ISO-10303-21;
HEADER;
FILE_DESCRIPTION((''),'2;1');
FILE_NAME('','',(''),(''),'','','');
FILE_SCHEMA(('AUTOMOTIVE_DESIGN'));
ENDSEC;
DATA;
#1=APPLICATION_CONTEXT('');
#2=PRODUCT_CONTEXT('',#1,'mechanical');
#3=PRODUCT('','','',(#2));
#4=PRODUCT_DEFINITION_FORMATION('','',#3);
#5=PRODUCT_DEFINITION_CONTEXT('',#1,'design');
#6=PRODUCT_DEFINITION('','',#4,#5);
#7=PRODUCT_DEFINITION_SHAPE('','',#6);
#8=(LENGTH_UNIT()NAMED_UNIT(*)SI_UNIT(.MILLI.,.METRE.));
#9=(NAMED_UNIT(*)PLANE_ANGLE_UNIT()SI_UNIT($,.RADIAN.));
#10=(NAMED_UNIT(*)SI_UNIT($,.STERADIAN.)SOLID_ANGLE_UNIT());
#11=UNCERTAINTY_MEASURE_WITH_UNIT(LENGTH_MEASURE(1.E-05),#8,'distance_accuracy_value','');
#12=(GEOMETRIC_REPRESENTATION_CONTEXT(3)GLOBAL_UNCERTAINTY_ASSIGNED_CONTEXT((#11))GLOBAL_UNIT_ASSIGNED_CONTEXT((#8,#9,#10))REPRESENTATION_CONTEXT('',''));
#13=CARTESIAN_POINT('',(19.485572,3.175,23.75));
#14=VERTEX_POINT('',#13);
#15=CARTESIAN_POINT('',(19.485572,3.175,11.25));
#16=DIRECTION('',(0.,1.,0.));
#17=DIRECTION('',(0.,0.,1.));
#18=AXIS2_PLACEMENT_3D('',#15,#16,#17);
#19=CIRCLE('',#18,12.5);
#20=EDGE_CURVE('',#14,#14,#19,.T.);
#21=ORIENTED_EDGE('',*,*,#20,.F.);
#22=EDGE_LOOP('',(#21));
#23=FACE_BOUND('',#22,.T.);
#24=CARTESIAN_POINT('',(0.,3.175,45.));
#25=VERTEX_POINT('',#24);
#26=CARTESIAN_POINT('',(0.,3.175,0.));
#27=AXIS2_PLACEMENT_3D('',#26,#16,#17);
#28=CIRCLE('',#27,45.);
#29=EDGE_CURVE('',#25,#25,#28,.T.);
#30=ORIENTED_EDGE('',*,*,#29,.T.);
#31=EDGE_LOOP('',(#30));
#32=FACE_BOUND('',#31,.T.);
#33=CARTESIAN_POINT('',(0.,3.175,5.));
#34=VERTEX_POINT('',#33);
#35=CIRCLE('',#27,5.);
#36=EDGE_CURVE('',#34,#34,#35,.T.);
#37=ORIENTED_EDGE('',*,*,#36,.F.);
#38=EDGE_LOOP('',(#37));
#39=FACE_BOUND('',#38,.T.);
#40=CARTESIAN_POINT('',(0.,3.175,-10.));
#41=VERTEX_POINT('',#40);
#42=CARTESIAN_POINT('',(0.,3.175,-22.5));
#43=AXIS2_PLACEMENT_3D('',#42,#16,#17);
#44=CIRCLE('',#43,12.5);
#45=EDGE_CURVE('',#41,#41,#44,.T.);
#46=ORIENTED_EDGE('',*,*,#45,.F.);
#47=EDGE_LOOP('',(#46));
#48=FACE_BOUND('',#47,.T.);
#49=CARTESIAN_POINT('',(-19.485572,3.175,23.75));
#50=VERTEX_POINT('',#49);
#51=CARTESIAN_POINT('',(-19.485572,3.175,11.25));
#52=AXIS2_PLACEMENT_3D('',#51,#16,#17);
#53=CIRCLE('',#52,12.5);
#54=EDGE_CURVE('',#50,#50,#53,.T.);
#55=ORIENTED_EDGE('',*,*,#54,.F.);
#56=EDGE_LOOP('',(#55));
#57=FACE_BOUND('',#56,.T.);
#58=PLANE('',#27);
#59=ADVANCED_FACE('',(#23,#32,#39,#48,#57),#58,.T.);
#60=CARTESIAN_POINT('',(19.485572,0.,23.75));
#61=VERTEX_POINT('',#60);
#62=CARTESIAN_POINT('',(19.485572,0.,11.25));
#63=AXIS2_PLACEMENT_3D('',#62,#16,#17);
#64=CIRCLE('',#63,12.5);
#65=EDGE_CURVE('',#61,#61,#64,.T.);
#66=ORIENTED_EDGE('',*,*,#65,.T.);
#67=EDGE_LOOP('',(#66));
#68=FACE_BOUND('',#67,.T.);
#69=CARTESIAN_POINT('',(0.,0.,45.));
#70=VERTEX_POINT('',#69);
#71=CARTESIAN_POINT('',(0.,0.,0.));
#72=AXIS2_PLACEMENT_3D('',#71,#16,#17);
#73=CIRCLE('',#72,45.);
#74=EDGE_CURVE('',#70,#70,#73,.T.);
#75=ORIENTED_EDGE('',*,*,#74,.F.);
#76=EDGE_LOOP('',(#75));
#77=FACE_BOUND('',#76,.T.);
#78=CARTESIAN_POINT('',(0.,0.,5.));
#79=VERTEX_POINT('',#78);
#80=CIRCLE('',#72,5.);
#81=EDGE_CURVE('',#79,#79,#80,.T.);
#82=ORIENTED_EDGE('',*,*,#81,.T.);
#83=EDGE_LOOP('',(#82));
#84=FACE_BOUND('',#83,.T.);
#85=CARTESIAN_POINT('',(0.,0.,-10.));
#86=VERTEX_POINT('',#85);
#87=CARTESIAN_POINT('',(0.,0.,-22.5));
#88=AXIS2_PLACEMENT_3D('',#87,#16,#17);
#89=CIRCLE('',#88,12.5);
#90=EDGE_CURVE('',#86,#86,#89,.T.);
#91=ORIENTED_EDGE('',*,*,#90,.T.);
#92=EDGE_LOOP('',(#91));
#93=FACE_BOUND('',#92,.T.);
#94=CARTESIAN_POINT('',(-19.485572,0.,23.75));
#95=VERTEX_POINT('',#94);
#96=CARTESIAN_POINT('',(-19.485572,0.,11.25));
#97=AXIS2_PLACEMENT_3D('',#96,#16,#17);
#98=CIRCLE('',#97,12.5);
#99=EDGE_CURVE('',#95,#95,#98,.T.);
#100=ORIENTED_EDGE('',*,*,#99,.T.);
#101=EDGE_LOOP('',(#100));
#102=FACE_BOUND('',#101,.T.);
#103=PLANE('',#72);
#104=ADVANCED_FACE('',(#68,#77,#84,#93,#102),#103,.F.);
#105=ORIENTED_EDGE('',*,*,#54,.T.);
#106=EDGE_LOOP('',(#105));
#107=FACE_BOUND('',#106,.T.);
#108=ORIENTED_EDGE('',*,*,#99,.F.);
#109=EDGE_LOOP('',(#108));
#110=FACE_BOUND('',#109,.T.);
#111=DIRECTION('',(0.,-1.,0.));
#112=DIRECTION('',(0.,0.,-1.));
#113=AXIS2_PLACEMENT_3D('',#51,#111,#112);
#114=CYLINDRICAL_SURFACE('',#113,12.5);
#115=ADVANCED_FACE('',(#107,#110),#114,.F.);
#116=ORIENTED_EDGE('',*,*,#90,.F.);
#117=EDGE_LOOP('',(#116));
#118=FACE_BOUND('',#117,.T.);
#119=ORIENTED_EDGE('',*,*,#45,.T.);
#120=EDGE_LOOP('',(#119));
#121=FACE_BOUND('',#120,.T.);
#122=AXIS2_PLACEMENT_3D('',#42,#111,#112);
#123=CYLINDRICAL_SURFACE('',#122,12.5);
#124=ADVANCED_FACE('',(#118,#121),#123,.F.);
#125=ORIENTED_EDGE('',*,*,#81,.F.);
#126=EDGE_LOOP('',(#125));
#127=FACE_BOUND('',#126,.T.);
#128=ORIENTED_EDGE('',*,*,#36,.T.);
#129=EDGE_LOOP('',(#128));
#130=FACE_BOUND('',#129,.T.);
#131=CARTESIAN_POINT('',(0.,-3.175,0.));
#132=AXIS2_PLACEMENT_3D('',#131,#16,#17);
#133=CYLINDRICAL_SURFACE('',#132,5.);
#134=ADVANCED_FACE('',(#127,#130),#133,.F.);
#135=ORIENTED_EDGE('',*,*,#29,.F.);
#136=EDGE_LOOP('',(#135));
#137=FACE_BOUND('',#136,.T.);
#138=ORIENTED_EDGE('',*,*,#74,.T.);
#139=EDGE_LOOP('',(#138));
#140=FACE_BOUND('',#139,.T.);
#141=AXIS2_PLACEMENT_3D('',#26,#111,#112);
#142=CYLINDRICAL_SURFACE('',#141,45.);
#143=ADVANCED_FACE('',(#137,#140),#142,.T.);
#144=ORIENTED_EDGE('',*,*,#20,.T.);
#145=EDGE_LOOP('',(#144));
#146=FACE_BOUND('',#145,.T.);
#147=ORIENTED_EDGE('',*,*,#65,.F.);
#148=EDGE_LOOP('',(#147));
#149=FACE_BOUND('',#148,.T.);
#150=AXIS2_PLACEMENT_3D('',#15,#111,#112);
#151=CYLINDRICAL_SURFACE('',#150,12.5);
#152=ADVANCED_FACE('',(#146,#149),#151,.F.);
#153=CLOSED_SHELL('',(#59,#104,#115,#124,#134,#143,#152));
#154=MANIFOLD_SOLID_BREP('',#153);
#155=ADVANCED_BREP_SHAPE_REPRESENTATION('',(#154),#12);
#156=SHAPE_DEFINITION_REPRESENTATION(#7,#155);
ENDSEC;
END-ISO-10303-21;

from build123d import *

# Parameters (mm, degrees)
SKETCH1_R           = 45
SKETCH1_R_2         = 12.5
BOSS_EXTRUDE1_DEPTH = 3.175
SKETCH3_R           = 5
CUT_EXTRUDE1_DEPTH  = 6.35


with BuildPart() as part:
    # Sketch1 → Boss-Extrude1 (new body)
    with BuildSketch(Plane(origin=(0, 0, 0), x_dir=(1, 0, 0), z_dir=(0, 1, 0))):
        with Locations(Location((0, 0, 0), (0, 0, 270))):
            Circle(SKETCH1_R)
        with Locations(Location((0, 22.5, 0), (0, 0, 270))):
            Circle(SKETCH1_R_2, mode=Mode.SUBTRACT)
        with Locations(Location((19.485571585, -11.25, 0), (0, 0, 270))):
            Circle(SKETCH1_R_2, mode=Mode.SUBTRACT)
        with Locations(Location((-19.485571585, -11.25, 0), (0, 0, 270))):
            Circle(SKETCH1_R_2, mode=Mode.SUBTRACT)
    extrude(amount=BOSS_EXTRUDE1_DEPTH)

    # Sketch3 → Cut-Extrude1 (cut)
    with BuildSketch(Plane(origin=(0, 3.175, 0), x_dir=(1, 0, 0), z_dir=(0, 1, 0))):
        with Locations(Location((0, 0, 0), (0, 0, 270))):
            Circle(SKETCH3_R)
    extrude(amount=-CUT_EXTRUDE1_DEPTH, mode=Mode.SUBTRACT)


solid = part.part
